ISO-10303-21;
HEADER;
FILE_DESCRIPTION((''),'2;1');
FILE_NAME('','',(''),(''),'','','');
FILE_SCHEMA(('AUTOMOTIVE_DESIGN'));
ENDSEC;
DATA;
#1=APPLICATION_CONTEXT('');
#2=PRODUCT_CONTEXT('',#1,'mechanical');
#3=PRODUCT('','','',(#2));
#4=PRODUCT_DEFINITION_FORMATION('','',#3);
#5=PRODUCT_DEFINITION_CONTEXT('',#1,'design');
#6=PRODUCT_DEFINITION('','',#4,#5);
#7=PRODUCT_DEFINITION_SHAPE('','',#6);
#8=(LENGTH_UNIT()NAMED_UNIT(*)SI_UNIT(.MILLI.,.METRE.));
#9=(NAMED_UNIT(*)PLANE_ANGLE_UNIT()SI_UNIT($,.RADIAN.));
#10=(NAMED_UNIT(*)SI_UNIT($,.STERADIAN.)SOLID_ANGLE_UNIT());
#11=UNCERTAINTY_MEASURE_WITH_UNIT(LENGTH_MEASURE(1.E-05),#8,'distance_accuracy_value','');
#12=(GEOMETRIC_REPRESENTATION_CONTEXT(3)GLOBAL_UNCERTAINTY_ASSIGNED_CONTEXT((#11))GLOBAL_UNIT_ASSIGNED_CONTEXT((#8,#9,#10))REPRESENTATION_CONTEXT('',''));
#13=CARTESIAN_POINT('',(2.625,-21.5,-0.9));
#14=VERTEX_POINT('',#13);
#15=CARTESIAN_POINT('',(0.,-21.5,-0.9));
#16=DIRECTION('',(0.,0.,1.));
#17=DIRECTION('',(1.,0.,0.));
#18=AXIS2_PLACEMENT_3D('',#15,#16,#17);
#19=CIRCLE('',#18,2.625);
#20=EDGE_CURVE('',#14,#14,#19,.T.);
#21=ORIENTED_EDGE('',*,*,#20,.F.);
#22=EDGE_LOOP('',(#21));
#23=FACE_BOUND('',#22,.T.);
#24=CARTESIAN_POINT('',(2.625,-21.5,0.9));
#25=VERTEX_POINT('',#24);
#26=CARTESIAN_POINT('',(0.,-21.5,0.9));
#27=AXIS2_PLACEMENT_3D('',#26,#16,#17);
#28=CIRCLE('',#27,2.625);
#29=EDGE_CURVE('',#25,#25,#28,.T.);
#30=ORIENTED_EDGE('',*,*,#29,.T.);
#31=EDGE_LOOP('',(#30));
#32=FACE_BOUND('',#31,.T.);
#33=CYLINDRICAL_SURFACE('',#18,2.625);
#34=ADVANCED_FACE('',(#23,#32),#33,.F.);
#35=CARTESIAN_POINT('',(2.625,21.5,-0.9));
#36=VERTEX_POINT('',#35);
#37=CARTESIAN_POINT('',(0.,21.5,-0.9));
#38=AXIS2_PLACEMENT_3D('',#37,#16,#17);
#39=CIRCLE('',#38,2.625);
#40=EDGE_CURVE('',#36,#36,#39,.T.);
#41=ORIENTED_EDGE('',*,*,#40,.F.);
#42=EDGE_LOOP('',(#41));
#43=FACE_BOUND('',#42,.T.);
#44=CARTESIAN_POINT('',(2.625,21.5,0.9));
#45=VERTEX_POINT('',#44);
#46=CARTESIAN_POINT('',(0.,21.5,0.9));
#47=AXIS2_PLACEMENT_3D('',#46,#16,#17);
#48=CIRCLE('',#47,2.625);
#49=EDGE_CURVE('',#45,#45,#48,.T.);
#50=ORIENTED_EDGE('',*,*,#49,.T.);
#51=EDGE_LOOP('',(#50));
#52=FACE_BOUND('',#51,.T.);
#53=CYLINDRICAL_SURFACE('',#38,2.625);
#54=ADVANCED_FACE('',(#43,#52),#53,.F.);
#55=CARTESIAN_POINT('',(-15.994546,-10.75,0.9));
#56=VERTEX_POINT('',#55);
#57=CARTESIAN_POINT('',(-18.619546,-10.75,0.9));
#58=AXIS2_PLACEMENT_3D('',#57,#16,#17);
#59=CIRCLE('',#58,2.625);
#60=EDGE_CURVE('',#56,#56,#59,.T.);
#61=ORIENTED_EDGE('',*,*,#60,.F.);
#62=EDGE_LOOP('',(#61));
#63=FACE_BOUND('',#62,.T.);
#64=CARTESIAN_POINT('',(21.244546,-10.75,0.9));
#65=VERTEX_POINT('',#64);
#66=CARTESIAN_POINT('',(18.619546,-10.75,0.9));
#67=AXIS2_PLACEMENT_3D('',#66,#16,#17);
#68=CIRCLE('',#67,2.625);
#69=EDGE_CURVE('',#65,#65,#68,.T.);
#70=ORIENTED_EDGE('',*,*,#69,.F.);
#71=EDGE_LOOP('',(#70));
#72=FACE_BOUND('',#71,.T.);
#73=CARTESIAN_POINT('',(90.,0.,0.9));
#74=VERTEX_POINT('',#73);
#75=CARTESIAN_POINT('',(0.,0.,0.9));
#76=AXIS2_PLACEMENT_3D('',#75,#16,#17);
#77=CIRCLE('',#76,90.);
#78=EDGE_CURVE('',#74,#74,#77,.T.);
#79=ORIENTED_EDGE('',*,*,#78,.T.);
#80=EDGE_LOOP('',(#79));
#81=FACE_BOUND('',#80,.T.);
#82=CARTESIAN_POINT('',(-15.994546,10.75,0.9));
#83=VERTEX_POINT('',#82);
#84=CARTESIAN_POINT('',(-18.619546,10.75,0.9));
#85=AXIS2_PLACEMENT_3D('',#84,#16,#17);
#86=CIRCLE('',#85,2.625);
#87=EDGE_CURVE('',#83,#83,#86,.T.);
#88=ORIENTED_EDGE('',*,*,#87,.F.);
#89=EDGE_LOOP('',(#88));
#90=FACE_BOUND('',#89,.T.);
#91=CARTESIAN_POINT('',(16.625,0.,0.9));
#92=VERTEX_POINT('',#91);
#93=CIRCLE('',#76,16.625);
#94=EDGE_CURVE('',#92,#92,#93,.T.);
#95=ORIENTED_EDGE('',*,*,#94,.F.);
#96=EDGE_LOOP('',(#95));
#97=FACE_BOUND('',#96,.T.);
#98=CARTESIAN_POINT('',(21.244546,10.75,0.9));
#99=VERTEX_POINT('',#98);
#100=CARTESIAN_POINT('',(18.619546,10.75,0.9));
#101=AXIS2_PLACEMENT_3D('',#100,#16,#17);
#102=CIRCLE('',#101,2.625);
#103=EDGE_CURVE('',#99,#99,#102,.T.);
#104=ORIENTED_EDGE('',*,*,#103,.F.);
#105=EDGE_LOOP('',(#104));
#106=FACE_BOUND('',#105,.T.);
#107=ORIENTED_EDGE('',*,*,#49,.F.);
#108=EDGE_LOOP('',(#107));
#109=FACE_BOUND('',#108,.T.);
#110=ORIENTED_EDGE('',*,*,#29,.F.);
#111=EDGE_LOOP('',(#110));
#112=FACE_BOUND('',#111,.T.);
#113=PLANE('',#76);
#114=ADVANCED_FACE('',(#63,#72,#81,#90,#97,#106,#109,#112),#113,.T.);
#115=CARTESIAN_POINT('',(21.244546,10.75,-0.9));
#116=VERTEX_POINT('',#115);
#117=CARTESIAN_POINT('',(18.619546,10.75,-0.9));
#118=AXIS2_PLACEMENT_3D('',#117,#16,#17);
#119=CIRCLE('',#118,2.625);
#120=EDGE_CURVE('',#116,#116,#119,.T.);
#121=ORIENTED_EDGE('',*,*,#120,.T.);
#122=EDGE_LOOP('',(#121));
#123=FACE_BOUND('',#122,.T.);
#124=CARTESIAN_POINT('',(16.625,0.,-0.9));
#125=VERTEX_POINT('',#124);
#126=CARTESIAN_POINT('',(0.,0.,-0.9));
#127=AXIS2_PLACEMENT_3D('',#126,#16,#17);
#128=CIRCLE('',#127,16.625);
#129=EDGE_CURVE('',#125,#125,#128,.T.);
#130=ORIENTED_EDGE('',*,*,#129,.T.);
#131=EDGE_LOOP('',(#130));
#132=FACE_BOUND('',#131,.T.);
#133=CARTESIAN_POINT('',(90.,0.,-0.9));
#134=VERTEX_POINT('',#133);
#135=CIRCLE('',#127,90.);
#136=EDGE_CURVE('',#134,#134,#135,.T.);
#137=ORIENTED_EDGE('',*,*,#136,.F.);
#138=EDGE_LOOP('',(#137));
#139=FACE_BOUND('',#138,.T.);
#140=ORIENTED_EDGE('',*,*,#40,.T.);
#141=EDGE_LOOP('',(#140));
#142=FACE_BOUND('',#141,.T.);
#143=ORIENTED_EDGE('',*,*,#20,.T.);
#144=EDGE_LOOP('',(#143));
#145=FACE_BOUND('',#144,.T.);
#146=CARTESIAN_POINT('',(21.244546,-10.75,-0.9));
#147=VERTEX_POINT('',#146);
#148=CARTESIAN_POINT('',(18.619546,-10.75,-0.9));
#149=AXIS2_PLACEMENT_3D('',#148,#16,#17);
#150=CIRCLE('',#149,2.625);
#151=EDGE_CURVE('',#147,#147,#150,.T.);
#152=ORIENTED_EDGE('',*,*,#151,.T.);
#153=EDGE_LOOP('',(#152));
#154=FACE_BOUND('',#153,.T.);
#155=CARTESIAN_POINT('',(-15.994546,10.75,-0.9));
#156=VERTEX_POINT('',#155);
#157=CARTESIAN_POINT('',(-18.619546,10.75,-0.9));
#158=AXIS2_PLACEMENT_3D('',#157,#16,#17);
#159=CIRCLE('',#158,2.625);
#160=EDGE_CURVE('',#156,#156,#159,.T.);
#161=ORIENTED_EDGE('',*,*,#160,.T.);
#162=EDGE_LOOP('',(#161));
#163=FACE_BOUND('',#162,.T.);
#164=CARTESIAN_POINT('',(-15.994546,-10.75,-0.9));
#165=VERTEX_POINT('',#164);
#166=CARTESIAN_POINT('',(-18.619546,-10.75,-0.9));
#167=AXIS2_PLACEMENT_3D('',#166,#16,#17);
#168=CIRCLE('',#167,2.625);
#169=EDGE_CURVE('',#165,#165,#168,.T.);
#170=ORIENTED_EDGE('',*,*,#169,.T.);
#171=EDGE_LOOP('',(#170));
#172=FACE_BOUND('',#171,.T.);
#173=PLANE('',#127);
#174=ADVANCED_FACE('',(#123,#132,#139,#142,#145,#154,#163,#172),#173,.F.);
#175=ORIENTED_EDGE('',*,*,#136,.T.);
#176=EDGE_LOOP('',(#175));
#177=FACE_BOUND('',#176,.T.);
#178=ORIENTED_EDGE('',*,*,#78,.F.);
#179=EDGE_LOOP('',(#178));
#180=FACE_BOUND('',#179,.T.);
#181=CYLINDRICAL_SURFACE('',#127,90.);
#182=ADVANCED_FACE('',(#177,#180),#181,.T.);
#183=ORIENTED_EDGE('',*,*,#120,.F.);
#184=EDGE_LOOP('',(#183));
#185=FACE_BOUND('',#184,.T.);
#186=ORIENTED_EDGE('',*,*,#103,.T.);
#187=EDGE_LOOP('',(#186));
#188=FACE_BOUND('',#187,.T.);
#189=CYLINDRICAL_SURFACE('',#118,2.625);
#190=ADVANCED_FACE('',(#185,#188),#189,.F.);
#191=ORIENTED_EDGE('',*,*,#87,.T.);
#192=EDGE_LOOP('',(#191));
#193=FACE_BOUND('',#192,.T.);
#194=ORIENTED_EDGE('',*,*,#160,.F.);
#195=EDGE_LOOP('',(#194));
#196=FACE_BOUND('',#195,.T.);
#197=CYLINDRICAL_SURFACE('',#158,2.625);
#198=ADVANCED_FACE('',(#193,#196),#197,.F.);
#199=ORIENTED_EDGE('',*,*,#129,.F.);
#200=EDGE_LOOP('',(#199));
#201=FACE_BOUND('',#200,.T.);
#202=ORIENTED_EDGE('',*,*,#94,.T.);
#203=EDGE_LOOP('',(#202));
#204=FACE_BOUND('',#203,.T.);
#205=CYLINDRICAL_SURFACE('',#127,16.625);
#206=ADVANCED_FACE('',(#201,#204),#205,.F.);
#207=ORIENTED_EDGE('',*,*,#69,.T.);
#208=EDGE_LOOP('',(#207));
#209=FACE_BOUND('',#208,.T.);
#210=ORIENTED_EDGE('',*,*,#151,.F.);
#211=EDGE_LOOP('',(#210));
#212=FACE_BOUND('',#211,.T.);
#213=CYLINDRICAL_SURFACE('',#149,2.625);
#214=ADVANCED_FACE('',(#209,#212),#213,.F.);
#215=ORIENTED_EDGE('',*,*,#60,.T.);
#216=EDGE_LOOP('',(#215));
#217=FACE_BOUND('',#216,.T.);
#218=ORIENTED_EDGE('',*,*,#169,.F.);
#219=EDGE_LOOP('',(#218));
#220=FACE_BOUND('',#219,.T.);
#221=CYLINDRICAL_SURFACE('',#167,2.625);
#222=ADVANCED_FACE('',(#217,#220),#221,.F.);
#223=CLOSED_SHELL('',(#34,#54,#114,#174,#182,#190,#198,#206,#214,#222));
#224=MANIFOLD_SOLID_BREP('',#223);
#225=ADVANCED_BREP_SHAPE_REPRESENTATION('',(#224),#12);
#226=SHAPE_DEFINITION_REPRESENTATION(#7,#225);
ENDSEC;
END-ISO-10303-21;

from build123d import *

# Parameters (mm, degrees)
BOSS_EXTRUDE1_DEPTH      = 0.9
BOSS_EXTRUDE1_DEPTH_BACK = 0.9
SKETCH1_R                = 90
SKETCH1_R_2              = 16.625
SKETCH1_R_3              = 2.625


with BuildPart() as part:
    # Sketch1 → Boss-Extrude1 (new, two sides: drawn at the far end of the back side and taken through both)
    with BuildSketch(Plane.XY.offset(-BOSS_EXTRUDE1_DEPTH_BACK)):
        Circle(SKETCH1_R)
        Circle(SKETCH1_R_2, mode=Mode.SUBTRACT)
        with Locations((0, 21.5)):
            Circle(SKETCH1_R_3, mode=Mode.SUBTRACT)
        with Locations((18.619546181, 10.75)):
            Circle(SKETCH1_R_3, mode=Mode.SUBTRACT)
        with Locations((18.619546181, -10.75)):
            Circle(SKETCH1_R_3, mode=Mode.SUBTRACT)
        with Locations((0, -21.5)):
            Circle(SKETCH1_R_3, mode=Mode.SUBTRACT)
        with Locations((-18.619546181, -10.75)):
            Circle(SKETCH1_R_3, mode=Mode.SUBTRACT)
        with Locations((-18.619546181, 10.75)):
            Circle(SKETCH1_R_3, mode=Mode.SUBTRACT)
    extrude(amount=BOSS_EXTRUDE1_DEPTH + BOSS_EXTRUDE1_DEPTH_BACK)


solid = part.part
